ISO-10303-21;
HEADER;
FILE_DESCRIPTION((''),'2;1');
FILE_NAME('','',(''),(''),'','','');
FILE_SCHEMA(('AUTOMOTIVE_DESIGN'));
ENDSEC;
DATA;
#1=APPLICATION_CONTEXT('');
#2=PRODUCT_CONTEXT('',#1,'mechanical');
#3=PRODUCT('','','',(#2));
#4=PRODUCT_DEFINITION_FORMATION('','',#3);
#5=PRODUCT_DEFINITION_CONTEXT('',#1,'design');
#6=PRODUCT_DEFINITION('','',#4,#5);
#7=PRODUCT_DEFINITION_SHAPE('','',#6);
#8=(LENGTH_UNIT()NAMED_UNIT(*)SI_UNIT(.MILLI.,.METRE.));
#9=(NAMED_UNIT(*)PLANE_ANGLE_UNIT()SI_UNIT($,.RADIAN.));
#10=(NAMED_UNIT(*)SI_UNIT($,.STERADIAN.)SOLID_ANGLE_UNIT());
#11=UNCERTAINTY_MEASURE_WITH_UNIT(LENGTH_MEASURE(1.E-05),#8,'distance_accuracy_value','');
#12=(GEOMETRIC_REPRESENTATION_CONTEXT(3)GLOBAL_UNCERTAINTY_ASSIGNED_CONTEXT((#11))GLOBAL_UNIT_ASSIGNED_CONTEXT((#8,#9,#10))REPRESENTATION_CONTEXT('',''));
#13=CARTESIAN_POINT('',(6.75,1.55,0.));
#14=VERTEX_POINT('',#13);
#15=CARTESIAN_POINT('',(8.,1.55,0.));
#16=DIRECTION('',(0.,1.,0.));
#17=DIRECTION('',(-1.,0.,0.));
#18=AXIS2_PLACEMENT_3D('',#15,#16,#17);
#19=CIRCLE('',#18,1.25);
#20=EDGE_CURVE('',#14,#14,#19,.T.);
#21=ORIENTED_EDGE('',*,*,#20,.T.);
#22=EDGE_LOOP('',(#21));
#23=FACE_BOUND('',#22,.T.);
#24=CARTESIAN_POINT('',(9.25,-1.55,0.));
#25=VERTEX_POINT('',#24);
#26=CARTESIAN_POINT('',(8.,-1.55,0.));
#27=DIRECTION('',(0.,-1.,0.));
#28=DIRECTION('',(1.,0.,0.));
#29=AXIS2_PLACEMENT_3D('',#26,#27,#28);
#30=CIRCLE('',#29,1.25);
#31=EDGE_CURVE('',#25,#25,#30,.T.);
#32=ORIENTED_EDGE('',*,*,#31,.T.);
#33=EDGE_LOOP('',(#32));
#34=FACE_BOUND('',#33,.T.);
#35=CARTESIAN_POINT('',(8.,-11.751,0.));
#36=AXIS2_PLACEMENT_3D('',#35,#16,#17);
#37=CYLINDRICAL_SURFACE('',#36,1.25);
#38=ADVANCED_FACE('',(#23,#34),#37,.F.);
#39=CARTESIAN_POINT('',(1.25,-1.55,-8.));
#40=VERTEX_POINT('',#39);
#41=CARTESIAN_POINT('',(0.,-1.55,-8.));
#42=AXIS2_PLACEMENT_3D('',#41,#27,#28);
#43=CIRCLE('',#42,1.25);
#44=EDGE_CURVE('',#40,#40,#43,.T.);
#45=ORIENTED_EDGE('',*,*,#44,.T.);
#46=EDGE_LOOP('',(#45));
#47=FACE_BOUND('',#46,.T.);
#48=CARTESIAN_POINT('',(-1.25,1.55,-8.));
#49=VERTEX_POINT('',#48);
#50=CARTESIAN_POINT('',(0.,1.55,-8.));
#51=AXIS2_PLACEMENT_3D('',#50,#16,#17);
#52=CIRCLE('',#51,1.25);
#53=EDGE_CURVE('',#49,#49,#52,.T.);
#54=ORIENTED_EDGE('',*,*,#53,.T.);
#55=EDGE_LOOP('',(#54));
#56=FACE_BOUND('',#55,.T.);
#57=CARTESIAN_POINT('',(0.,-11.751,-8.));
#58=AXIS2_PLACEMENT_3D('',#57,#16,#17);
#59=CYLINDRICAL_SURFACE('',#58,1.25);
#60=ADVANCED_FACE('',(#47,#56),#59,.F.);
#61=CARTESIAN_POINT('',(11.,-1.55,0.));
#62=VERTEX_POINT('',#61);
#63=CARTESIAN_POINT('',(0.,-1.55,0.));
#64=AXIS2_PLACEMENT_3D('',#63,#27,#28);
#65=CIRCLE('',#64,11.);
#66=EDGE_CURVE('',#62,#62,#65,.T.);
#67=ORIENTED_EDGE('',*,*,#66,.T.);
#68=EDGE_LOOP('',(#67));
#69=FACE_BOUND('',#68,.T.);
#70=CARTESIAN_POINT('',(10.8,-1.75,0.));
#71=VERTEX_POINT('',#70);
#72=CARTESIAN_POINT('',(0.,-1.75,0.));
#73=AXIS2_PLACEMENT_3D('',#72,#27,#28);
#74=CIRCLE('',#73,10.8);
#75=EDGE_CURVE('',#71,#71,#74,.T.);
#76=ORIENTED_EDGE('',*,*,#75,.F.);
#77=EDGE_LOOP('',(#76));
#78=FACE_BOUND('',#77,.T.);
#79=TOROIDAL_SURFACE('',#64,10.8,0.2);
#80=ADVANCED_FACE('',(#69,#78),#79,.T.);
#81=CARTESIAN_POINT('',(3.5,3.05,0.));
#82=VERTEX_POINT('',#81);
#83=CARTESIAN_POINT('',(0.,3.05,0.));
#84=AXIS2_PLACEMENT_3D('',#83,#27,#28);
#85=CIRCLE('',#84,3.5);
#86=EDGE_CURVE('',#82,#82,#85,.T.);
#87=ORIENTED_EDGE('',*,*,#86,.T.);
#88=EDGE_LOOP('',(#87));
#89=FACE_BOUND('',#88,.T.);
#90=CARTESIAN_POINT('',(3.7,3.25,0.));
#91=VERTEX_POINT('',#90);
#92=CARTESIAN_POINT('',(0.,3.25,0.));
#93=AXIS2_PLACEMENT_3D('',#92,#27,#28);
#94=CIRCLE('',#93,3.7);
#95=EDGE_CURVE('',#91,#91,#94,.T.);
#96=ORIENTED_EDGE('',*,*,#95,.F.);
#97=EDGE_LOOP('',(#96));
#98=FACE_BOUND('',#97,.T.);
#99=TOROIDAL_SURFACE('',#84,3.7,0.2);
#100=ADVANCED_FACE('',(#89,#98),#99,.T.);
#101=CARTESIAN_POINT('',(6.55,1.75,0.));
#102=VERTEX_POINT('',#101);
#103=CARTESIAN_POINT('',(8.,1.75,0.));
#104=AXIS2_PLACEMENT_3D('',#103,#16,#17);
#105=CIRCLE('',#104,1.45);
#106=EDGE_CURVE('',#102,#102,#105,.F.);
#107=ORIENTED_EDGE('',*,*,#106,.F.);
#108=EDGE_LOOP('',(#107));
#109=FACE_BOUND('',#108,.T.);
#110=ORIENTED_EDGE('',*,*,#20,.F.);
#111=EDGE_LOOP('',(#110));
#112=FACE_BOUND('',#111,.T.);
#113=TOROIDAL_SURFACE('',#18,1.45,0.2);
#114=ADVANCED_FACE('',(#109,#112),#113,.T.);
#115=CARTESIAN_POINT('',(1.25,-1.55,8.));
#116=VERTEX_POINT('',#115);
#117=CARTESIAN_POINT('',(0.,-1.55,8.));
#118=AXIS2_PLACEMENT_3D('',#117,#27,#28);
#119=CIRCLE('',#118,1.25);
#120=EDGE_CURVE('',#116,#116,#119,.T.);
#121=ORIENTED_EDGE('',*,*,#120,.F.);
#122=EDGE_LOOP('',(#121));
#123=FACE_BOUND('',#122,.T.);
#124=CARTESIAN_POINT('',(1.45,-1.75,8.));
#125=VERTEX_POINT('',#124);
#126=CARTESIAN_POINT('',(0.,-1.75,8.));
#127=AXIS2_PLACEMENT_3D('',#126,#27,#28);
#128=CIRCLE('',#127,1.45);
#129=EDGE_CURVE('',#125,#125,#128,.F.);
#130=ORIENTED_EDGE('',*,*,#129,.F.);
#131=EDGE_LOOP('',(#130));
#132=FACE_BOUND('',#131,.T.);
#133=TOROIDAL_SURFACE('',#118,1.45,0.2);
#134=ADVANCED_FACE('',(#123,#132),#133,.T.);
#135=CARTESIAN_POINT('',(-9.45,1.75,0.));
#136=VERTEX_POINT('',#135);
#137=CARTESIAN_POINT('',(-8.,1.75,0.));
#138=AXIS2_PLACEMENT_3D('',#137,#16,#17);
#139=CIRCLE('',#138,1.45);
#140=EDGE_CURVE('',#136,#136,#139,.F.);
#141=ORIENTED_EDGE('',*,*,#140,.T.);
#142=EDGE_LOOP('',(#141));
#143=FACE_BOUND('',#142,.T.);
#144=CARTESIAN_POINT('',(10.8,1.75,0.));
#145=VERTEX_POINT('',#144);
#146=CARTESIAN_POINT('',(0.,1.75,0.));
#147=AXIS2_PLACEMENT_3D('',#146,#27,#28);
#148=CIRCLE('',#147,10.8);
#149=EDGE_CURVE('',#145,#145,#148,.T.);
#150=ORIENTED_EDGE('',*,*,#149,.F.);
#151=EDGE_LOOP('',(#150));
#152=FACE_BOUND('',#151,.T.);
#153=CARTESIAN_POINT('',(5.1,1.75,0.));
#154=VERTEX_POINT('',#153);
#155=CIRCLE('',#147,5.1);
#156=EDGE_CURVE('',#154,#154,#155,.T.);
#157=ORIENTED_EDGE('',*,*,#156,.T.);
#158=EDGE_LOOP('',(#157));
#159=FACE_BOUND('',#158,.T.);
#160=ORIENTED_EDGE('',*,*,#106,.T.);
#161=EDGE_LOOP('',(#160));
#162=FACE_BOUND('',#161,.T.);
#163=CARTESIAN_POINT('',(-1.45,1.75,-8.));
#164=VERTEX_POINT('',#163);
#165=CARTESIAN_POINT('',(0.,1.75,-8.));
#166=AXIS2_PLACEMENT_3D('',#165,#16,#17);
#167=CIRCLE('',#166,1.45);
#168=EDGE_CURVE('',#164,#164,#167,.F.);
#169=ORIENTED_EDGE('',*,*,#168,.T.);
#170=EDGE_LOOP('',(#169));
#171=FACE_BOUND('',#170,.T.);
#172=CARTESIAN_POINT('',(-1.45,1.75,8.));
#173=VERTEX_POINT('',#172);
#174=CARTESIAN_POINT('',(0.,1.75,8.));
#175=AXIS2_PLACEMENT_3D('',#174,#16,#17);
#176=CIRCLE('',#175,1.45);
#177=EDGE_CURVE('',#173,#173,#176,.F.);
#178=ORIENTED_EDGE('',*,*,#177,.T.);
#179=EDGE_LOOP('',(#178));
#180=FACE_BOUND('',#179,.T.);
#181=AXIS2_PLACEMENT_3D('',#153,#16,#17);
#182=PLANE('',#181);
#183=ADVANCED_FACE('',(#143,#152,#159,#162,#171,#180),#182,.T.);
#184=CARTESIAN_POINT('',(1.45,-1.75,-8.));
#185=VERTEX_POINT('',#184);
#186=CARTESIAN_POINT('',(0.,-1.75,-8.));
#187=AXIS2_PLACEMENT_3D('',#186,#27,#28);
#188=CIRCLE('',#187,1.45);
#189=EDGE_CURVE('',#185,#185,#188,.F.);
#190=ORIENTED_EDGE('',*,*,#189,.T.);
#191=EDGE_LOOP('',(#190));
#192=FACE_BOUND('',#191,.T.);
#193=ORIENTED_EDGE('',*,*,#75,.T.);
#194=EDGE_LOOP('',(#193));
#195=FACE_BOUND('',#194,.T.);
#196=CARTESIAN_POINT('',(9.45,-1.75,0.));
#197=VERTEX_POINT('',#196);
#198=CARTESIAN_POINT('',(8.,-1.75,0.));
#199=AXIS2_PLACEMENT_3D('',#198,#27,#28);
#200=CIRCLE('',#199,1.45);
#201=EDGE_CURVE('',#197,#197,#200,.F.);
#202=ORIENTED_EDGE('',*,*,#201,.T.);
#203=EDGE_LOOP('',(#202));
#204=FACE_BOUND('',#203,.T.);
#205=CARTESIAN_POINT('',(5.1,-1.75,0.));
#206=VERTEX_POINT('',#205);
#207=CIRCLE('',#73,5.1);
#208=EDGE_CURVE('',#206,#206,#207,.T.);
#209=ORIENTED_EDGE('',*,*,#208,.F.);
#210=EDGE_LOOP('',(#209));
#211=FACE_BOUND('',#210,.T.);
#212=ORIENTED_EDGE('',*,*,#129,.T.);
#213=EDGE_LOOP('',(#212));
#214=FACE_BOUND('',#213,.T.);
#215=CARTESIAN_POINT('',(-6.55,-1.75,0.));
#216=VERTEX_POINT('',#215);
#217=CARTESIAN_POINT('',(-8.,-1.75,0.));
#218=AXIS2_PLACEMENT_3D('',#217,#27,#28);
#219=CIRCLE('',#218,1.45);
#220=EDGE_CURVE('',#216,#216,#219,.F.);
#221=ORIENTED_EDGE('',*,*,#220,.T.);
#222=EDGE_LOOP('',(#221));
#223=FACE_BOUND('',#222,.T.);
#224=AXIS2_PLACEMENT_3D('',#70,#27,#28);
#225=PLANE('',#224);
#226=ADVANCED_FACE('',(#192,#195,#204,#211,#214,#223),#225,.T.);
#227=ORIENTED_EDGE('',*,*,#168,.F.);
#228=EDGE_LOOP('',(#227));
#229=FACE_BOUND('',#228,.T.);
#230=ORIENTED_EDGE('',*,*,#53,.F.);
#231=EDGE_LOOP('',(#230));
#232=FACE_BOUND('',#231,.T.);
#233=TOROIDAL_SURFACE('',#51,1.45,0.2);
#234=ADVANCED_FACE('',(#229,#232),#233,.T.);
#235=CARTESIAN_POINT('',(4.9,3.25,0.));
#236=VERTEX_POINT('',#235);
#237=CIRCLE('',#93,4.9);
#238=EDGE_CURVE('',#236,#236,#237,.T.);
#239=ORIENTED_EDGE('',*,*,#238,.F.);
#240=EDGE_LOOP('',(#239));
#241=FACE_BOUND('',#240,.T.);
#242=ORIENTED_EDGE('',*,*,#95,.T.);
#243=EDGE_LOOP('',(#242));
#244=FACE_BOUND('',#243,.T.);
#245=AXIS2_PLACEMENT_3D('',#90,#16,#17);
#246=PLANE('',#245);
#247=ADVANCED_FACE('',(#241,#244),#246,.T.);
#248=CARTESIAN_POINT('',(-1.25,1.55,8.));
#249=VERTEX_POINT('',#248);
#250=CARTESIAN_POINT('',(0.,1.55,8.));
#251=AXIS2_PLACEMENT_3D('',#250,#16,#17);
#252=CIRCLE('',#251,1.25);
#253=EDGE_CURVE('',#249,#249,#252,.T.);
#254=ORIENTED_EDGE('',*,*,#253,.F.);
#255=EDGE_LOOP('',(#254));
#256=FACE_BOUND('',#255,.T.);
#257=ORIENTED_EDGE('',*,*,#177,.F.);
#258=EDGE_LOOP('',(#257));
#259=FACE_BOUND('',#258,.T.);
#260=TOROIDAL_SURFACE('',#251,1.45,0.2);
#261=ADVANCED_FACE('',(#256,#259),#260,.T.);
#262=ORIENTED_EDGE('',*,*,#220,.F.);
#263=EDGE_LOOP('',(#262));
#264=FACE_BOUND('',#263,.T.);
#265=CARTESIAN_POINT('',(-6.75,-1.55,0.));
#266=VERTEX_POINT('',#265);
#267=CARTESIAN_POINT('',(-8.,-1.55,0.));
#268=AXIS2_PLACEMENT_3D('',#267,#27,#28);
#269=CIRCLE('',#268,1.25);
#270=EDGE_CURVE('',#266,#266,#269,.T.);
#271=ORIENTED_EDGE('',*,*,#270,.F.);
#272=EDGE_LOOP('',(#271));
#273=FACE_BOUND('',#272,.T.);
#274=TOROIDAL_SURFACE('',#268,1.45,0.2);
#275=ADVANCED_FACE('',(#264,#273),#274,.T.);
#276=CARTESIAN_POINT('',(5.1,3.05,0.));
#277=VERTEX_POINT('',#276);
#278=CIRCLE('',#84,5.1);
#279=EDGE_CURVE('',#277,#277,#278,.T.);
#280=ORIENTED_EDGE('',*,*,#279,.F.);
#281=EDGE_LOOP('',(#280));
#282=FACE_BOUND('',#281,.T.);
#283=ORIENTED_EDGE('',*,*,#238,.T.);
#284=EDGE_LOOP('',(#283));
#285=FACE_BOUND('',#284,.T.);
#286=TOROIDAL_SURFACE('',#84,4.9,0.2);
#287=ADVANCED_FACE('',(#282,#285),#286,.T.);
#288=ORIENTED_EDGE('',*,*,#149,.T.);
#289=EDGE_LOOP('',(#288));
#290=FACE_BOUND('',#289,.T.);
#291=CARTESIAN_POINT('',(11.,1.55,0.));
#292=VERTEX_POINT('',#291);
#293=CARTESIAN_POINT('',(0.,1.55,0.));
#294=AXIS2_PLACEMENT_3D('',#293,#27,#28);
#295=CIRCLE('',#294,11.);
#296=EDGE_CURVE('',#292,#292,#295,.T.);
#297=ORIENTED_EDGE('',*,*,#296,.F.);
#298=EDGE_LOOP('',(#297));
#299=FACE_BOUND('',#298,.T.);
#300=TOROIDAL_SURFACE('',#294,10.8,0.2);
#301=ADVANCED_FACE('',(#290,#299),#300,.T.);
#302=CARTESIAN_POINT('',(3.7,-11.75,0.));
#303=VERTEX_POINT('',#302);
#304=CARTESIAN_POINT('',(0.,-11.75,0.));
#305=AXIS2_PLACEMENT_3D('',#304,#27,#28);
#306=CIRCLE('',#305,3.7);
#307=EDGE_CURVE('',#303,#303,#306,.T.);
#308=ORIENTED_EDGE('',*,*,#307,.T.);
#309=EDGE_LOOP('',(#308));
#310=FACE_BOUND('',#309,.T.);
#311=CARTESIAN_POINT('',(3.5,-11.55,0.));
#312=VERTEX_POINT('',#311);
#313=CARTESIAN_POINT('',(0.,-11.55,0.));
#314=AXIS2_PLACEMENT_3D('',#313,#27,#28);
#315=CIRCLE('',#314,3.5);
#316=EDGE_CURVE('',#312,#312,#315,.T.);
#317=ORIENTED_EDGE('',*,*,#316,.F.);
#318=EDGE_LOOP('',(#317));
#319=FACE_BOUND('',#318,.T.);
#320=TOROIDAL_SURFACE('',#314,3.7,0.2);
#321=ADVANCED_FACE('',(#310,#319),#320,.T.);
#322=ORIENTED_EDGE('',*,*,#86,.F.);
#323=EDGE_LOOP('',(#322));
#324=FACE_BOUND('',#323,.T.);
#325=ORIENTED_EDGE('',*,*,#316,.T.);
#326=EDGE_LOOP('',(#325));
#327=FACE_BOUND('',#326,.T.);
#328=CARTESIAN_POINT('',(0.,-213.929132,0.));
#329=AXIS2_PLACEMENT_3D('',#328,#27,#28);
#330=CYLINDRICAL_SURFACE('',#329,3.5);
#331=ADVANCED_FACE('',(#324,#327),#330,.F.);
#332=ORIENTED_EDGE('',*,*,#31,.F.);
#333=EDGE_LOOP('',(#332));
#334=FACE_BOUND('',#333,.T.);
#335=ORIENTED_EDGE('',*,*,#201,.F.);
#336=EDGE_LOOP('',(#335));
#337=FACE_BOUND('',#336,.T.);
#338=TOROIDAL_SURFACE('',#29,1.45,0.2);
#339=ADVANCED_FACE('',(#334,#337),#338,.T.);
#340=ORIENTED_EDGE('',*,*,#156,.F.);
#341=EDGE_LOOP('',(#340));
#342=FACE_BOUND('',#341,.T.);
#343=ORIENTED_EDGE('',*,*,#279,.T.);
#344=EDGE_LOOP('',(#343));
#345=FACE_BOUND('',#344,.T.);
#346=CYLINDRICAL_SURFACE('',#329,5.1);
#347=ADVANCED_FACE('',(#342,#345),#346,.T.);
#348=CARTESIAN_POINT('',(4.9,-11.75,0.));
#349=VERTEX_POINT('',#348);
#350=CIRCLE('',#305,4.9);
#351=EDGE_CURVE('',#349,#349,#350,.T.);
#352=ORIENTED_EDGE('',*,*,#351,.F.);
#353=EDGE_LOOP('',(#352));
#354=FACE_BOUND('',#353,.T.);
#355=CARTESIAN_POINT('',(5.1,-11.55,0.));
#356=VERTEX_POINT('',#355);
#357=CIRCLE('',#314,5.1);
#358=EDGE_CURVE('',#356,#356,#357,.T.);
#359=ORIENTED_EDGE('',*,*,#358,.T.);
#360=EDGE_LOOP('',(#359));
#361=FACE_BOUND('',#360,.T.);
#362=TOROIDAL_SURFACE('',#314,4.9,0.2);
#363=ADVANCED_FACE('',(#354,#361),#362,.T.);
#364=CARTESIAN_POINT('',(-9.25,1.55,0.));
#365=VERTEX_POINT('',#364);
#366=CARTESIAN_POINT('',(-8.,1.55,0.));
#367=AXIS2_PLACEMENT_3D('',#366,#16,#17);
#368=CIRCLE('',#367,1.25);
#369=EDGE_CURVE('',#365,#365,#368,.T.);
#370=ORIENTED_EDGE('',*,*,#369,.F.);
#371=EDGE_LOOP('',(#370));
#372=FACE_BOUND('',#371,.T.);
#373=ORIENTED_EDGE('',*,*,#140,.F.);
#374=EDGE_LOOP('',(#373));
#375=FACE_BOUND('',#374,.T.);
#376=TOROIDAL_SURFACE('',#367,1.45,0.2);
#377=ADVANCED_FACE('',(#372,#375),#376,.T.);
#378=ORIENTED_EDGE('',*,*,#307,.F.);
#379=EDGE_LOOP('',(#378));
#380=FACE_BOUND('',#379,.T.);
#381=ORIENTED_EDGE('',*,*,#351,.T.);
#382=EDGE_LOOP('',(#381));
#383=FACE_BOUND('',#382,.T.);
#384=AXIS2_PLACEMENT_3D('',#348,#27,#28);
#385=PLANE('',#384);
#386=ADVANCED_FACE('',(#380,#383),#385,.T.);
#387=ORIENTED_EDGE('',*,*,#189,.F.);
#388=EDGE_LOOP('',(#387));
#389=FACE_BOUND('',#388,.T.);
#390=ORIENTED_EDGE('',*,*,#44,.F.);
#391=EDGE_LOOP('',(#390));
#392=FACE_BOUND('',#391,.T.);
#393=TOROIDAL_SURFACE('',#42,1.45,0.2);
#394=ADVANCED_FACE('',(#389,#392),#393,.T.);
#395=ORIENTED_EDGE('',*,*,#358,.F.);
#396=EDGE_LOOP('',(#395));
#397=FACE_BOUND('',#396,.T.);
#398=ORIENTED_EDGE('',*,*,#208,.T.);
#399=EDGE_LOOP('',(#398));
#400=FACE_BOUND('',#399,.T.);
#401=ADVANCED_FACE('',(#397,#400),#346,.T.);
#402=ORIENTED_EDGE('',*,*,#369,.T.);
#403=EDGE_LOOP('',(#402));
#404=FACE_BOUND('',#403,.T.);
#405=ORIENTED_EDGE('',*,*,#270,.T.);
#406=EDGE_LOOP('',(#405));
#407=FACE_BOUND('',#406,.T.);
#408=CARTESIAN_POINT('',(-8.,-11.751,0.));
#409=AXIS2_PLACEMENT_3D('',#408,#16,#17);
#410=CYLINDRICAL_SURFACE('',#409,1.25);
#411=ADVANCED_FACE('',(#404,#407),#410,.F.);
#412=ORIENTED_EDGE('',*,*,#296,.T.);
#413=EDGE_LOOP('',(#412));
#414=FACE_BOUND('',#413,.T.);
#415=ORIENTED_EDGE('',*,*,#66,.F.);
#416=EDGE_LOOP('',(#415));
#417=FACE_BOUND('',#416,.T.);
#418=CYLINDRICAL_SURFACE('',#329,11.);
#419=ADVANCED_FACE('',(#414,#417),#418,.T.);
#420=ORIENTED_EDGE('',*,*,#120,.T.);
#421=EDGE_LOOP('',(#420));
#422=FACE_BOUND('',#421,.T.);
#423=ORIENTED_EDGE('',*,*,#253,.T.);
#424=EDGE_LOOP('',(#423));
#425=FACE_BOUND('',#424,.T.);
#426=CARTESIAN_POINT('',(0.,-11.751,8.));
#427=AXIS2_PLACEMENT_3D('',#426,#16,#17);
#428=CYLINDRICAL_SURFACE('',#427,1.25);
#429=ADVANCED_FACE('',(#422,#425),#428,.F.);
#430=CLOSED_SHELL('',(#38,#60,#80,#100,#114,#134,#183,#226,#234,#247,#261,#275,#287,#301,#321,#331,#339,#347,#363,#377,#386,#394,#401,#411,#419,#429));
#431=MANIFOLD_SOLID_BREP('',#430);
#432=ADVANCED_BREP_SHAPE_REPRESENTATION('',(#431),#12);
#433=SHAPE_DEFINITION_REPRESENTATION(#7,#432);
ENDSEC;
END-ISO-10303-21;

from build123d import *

# Parameters (mm, degrees)
CUT_EXTRUDE1_REACH = 22.597
SKETCH2_R          = 1.25
FILLET1_R          = 0.2


with BuildPart() as part:
    # Sketch1 → Revolve1 (revolve)
    with BuildSketch(Plane.XY):
        with BuildLine():
            Line((3.7, 3.25), (4.9, 3.25))
            ThreePointArc((4.9, 3.25), (5.041421356, 3.191421356), (5.1, 3.05))
            Line((5.1, 3.05), (5.1, 1.75))
            Line((5.1, 1.75), (10.8, 1.75))
            ThreePointArc((10.8, 1.75), (10.941421356, 1.691421356), (11, 1.55))
            Line((11, 1.55), (11, -1.55))
            ThreePointArc((11, -1.55), (10.941421356, -1.691421356), (10.8, -1.75))
            Line((10.8, -1.75), (5.1, -1.75))
            Line((5.1, -1.75), (5.1, -11.55))
            ThreePointArc((5.1, -11.55), (5.041421356, -11.691421356), (4.9, -11.75))
            Line((4.9, -11.75), (3.7, -11.75))
            ThreePointArc((3.7, -11.75), (3.558578644, -11.691421356), (3.5, -11.55))
            Line((3.5, -11.55), (3.5, 3.05))
            ThreePointArc((3.5, 3.05), (3.558578644, 3.191421356), (3.7, 3.25))
        make_face()
    revolve(axis=Axis((0, -213.929131969, 0), (0, 1, 0)))

    # Sketch2 → Cut-Extrude1 (cut, up to next)
    with BuildSketch(Plane(origin=(0, 1.75, 0), x_dir=(1, 0, 0), z_dir=(0, 1, 0)), mode=Mode.PRIVATE) as cut_extrude1_sk1:
        with Locations(Location((8, 0, 0), (0, 0, 180))):
            Circle(SKETCH2_R)
    cut_extrude1_tool1 = extrude(cut_extrude1_sk1.sketch, amount=-CUT_EXTRUDE1_REACH, mode=Mode.PRIVATE) & part.part
    # Sketch2 → Cut-Extrude1 (cut, up to next)
    with BuildSketch(Plane(origin=(0, 1.75, 0), x_dir=(1, 0, 0), z_dir=(0, 1, 0)), mode=Mode.PRIVATE) as cut_extrude1_sk2:
        with Locations(Location((0, -8, 0), (0, 0, 180))):
            Circle(SKETCH2_R)
    cut_extrude1_tool2 = extrude(cut_extrude1_sk2.sketch, amount=-CUT_EXTRUDE1_REACH, mode=Mode.PRIVATE) & part.part
    # Sketch2 → Cut-Extrude1 (cut, up to next)
    with BuildSketch(Plane(origin=(0, 1.75, 0), x_dir=(1, 0, 0), z_dir=(0, 1, 0)), mode=Mode.PRIVATE) as cut_extrude1_sk3:
        with Locations(Location((-8, 0, 0), (0, 0, 180))):
            Circle(SKETCH2_R)
    cut_extrude1_tool3 = extrude(cut_extrude1_sk3.sketch, amount=-CUT_EXTRUDE1_REACH, mode=Mode.PRIVATE) & part.part
    # Sketch2 → Cut-Extrude1 (cut, up to next)
    with BuildSketch(Plane(origin=(0, 1.75, 0), x_dir=(1, 0, 0), z_dir=(0, 1, 0)), mode=Mode.PRIVATE) as cut_extrude1_sk4:
        with Locations(Location((0, 8, 0), (0, 0, 180))):
            Circle(SKETCH2_R)
    cut_extrude1_tool4 = extrude(cut_extrude1_sk4.sketch, amount=-CUT_EXTRUDE1_REACH, mode=Mode.PRIVATE) & part.part
    add(cut_extrude1_tool1.solids().sort_by_distance((8, 1.75, 0))[0], mode=Mode.SUBTRACT)
    add(cut_extrude1_tool2.solids().sort_by_distance((0, 1.75, 8))[0], mode=Mode.SUBTRACT)
    add(cut_extrude1_tool3.solids().sort_by_distance((-8, 1.75, 0))[0], mode=Mode.SUBTRACT)
    add(cut_extrude1_tool4.solids().sort_by_distance((0, 1.75, -8))[0], mode=Mode.SUBTRACT)

    # Fillet1
    fillet1_edges = [part.edges().sort_by_distance(p)[0] for p in [
        (9.25, -1.75, 0),
        (9.25, 1.75, 0),
        (1.25, -1.75, 8),
        (1.25, 1.75, 8),
        (-6.75, -1.75, 0),
        (-6.75, 1.75, 0),
        (1.25, -1.75, -8),
        (1.25, 1.75, -8),
    ]]
    fillet(fillet1_edges, radius=FILLET1_R)


solid = part.part
